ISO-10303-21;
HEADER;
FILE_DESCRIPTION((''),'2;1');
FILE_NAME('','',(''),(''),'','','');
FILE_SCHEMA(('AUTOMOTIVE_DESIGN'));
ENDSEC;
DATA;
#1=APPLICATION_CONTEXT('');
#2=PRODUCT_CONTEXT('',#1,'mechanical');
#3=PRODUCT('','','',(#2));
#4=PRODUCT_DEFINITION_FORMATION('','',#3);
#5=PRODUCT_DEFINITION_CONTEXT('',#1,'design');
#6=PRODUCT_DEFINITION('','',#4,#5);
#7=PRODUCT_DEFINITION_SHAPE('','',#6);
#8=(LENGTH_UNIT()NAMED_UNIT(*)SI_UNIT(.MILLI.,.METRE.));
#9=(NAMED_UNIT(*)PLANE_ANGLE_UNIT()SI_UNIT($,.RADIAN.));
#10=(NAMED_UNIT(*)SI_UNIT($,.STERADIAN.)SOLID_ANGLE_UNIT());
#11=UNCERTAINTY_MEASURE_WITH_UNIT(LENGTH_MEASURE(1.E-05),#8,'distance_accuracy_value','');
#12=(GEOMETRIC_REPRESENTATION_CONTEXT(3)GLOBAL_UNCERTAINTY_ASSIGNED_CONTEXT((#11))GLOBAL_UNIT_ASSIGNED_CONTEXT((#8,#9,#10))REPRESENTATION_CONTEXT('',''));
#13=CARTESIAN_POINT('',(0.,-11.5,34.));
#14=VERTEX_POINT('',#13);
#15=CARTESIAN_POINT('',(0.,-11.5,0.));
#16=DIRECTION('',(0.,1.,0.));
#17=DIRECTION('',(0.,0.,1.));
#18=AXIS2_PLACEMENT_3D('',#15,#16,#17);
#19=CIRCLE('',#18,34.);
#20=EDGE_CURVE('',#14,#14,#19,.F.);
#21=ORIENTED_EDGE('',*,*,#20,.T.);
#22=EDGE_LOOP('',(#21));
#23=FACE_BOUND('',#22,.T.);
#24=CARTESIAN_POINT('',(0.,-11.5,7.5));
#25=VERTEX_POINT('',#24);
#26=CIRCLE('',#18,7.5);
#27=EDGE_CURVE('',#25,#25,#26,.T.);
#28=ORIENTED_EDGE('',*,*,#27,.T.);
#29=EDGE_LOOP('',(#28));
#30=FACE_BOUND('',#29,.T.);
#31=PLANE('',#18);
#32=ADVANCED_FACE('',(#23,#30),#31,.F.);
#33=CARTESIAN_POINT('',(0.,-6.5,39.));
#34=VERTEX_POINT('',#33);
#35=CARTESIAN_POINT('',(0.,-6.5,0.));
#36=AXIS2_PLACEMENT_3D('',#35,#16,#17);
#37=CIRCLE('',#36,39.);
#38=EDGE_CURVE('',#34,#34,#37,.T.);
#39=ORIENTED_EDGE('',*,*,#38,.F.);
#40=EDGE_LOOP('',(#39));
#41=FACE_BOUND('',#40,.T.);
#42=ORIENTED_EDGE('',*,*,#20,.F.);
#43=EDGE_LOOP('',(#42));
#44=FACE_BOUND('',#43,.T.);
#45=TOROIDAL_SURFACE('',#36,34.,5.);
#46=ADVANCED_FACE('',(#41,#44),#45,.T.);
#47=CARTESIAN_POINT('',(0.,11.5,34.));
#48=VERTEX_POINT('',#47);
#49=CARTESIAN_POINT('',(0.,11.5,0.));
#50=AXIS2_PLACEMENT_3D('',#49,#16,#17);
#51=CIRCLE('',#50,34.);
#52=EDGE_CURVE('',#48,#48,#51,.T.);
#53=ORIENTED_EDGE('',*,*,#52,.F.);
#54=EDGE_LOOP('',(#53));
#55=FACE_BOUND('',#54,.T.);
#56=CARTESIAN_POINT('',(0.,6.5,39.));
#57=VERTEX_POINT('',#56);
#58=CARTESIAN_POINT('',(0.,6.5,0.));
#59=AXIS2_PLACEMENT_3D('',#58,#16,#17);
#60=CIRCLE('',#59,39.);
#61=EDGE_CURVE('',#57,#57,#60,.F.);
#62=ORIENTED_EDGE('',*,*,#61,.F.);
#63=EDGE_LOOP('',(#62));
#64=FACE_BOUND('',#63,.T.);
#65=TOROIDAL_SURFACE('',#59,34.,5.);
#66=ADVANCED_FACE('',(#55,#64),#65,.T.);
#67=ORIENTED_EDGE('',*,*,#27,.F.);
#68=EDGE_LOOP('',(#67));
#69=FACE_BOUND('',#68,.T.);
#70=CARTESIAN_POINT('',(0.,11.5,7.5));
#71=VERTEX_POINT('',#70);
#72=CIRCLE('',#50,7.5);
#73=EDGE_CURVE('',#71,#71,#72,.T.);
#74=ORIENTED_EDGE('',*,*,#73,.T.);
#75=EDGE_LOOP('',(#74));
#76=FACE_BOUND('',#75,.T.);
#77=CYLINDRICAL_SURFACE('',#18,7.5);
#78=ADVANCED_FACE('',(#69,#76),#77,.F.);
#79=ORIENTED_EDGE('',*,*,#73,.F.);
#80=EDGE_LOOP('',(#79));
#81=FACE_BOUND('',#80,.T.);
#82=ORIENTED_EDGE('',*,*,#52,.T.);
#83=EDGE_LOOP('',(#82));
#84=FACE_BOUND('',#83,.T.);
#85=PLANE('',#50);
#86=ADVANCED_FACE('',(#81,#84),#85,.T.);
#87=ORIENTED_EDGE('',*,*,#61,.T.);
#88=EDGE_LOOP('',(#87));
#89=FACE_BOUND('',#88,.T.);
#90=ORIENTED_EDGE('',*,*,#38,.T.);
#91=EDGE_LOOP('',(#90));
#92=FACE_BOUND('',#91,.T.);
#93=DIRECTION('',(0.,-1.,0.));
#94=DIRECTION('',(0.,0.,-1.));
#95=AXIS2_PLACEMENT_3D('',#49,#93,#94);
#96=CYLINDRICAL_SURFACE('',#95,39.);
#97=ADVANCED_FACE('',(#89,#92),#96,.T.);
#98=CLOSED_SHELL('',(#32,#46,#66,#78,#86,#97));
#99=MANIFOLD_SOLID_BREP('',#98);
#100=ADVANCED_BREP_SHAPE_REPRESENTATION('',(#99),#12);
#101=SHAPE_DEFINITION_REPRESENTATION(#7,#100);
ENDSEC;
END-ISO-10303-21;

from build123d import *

# Parameters (mm, degrees)
SKETCH1_R               = 39
BOSS_EXTRUDE1_DEPTH     = 11.5
FILLET1_R               = 5
CUT_EXTRUDE1_DEPTH      = 60.757844673
CUT_EXTRUDE1_DEPTH_BACK = 60.757844673
SKETCH2_R               = 7.5


with BuildPart() as part:
    # Sketch1 → Boss-Extrude1 (new, symmetric)
    with BuildSketch(Plane(origin=(0, 0, 0), x_dir=(1, 0, 0), z_dir=(0, 1, 0))):
        with Locations(Location((0, 0, 0), (0, 0, 270))):
            Circle(SKETCH1_R)
    extrude(amount=BOSS_EXTRUDE1_DEPTH, both=True)

    # Fillet1
    fillet1_edges = [part.edges().sort_by_distance(p)[0] for p in [
        (0, -11.5, -39),
        (0, 11.5, -39),
    ]]
    fillet(fillet1_edges, radius=FILLET1_R)

    # Sketch2 → Cut-Extrude1 (cut, two sides: drawn at the far end of the back side and taken through both)
    with BuildSketch(Plane(origin=(0, 11.5, 0), x_dir=(1, 0, 0), z_dir=(0, 1, 0)).offset(-CUT_EXTRUDE1_DEPTH_BACK)):
        with Locations(Location((0, 0, 0), (0, 0, 270))):
            Circle(SKETCH2_R)
    extrude(amount=CUT_EXTRUDE1_DEPTH + CUT_EXTRUDE1_DEPTH_BACK, mode=Mode.SUBTRACT)


solid = part.part
